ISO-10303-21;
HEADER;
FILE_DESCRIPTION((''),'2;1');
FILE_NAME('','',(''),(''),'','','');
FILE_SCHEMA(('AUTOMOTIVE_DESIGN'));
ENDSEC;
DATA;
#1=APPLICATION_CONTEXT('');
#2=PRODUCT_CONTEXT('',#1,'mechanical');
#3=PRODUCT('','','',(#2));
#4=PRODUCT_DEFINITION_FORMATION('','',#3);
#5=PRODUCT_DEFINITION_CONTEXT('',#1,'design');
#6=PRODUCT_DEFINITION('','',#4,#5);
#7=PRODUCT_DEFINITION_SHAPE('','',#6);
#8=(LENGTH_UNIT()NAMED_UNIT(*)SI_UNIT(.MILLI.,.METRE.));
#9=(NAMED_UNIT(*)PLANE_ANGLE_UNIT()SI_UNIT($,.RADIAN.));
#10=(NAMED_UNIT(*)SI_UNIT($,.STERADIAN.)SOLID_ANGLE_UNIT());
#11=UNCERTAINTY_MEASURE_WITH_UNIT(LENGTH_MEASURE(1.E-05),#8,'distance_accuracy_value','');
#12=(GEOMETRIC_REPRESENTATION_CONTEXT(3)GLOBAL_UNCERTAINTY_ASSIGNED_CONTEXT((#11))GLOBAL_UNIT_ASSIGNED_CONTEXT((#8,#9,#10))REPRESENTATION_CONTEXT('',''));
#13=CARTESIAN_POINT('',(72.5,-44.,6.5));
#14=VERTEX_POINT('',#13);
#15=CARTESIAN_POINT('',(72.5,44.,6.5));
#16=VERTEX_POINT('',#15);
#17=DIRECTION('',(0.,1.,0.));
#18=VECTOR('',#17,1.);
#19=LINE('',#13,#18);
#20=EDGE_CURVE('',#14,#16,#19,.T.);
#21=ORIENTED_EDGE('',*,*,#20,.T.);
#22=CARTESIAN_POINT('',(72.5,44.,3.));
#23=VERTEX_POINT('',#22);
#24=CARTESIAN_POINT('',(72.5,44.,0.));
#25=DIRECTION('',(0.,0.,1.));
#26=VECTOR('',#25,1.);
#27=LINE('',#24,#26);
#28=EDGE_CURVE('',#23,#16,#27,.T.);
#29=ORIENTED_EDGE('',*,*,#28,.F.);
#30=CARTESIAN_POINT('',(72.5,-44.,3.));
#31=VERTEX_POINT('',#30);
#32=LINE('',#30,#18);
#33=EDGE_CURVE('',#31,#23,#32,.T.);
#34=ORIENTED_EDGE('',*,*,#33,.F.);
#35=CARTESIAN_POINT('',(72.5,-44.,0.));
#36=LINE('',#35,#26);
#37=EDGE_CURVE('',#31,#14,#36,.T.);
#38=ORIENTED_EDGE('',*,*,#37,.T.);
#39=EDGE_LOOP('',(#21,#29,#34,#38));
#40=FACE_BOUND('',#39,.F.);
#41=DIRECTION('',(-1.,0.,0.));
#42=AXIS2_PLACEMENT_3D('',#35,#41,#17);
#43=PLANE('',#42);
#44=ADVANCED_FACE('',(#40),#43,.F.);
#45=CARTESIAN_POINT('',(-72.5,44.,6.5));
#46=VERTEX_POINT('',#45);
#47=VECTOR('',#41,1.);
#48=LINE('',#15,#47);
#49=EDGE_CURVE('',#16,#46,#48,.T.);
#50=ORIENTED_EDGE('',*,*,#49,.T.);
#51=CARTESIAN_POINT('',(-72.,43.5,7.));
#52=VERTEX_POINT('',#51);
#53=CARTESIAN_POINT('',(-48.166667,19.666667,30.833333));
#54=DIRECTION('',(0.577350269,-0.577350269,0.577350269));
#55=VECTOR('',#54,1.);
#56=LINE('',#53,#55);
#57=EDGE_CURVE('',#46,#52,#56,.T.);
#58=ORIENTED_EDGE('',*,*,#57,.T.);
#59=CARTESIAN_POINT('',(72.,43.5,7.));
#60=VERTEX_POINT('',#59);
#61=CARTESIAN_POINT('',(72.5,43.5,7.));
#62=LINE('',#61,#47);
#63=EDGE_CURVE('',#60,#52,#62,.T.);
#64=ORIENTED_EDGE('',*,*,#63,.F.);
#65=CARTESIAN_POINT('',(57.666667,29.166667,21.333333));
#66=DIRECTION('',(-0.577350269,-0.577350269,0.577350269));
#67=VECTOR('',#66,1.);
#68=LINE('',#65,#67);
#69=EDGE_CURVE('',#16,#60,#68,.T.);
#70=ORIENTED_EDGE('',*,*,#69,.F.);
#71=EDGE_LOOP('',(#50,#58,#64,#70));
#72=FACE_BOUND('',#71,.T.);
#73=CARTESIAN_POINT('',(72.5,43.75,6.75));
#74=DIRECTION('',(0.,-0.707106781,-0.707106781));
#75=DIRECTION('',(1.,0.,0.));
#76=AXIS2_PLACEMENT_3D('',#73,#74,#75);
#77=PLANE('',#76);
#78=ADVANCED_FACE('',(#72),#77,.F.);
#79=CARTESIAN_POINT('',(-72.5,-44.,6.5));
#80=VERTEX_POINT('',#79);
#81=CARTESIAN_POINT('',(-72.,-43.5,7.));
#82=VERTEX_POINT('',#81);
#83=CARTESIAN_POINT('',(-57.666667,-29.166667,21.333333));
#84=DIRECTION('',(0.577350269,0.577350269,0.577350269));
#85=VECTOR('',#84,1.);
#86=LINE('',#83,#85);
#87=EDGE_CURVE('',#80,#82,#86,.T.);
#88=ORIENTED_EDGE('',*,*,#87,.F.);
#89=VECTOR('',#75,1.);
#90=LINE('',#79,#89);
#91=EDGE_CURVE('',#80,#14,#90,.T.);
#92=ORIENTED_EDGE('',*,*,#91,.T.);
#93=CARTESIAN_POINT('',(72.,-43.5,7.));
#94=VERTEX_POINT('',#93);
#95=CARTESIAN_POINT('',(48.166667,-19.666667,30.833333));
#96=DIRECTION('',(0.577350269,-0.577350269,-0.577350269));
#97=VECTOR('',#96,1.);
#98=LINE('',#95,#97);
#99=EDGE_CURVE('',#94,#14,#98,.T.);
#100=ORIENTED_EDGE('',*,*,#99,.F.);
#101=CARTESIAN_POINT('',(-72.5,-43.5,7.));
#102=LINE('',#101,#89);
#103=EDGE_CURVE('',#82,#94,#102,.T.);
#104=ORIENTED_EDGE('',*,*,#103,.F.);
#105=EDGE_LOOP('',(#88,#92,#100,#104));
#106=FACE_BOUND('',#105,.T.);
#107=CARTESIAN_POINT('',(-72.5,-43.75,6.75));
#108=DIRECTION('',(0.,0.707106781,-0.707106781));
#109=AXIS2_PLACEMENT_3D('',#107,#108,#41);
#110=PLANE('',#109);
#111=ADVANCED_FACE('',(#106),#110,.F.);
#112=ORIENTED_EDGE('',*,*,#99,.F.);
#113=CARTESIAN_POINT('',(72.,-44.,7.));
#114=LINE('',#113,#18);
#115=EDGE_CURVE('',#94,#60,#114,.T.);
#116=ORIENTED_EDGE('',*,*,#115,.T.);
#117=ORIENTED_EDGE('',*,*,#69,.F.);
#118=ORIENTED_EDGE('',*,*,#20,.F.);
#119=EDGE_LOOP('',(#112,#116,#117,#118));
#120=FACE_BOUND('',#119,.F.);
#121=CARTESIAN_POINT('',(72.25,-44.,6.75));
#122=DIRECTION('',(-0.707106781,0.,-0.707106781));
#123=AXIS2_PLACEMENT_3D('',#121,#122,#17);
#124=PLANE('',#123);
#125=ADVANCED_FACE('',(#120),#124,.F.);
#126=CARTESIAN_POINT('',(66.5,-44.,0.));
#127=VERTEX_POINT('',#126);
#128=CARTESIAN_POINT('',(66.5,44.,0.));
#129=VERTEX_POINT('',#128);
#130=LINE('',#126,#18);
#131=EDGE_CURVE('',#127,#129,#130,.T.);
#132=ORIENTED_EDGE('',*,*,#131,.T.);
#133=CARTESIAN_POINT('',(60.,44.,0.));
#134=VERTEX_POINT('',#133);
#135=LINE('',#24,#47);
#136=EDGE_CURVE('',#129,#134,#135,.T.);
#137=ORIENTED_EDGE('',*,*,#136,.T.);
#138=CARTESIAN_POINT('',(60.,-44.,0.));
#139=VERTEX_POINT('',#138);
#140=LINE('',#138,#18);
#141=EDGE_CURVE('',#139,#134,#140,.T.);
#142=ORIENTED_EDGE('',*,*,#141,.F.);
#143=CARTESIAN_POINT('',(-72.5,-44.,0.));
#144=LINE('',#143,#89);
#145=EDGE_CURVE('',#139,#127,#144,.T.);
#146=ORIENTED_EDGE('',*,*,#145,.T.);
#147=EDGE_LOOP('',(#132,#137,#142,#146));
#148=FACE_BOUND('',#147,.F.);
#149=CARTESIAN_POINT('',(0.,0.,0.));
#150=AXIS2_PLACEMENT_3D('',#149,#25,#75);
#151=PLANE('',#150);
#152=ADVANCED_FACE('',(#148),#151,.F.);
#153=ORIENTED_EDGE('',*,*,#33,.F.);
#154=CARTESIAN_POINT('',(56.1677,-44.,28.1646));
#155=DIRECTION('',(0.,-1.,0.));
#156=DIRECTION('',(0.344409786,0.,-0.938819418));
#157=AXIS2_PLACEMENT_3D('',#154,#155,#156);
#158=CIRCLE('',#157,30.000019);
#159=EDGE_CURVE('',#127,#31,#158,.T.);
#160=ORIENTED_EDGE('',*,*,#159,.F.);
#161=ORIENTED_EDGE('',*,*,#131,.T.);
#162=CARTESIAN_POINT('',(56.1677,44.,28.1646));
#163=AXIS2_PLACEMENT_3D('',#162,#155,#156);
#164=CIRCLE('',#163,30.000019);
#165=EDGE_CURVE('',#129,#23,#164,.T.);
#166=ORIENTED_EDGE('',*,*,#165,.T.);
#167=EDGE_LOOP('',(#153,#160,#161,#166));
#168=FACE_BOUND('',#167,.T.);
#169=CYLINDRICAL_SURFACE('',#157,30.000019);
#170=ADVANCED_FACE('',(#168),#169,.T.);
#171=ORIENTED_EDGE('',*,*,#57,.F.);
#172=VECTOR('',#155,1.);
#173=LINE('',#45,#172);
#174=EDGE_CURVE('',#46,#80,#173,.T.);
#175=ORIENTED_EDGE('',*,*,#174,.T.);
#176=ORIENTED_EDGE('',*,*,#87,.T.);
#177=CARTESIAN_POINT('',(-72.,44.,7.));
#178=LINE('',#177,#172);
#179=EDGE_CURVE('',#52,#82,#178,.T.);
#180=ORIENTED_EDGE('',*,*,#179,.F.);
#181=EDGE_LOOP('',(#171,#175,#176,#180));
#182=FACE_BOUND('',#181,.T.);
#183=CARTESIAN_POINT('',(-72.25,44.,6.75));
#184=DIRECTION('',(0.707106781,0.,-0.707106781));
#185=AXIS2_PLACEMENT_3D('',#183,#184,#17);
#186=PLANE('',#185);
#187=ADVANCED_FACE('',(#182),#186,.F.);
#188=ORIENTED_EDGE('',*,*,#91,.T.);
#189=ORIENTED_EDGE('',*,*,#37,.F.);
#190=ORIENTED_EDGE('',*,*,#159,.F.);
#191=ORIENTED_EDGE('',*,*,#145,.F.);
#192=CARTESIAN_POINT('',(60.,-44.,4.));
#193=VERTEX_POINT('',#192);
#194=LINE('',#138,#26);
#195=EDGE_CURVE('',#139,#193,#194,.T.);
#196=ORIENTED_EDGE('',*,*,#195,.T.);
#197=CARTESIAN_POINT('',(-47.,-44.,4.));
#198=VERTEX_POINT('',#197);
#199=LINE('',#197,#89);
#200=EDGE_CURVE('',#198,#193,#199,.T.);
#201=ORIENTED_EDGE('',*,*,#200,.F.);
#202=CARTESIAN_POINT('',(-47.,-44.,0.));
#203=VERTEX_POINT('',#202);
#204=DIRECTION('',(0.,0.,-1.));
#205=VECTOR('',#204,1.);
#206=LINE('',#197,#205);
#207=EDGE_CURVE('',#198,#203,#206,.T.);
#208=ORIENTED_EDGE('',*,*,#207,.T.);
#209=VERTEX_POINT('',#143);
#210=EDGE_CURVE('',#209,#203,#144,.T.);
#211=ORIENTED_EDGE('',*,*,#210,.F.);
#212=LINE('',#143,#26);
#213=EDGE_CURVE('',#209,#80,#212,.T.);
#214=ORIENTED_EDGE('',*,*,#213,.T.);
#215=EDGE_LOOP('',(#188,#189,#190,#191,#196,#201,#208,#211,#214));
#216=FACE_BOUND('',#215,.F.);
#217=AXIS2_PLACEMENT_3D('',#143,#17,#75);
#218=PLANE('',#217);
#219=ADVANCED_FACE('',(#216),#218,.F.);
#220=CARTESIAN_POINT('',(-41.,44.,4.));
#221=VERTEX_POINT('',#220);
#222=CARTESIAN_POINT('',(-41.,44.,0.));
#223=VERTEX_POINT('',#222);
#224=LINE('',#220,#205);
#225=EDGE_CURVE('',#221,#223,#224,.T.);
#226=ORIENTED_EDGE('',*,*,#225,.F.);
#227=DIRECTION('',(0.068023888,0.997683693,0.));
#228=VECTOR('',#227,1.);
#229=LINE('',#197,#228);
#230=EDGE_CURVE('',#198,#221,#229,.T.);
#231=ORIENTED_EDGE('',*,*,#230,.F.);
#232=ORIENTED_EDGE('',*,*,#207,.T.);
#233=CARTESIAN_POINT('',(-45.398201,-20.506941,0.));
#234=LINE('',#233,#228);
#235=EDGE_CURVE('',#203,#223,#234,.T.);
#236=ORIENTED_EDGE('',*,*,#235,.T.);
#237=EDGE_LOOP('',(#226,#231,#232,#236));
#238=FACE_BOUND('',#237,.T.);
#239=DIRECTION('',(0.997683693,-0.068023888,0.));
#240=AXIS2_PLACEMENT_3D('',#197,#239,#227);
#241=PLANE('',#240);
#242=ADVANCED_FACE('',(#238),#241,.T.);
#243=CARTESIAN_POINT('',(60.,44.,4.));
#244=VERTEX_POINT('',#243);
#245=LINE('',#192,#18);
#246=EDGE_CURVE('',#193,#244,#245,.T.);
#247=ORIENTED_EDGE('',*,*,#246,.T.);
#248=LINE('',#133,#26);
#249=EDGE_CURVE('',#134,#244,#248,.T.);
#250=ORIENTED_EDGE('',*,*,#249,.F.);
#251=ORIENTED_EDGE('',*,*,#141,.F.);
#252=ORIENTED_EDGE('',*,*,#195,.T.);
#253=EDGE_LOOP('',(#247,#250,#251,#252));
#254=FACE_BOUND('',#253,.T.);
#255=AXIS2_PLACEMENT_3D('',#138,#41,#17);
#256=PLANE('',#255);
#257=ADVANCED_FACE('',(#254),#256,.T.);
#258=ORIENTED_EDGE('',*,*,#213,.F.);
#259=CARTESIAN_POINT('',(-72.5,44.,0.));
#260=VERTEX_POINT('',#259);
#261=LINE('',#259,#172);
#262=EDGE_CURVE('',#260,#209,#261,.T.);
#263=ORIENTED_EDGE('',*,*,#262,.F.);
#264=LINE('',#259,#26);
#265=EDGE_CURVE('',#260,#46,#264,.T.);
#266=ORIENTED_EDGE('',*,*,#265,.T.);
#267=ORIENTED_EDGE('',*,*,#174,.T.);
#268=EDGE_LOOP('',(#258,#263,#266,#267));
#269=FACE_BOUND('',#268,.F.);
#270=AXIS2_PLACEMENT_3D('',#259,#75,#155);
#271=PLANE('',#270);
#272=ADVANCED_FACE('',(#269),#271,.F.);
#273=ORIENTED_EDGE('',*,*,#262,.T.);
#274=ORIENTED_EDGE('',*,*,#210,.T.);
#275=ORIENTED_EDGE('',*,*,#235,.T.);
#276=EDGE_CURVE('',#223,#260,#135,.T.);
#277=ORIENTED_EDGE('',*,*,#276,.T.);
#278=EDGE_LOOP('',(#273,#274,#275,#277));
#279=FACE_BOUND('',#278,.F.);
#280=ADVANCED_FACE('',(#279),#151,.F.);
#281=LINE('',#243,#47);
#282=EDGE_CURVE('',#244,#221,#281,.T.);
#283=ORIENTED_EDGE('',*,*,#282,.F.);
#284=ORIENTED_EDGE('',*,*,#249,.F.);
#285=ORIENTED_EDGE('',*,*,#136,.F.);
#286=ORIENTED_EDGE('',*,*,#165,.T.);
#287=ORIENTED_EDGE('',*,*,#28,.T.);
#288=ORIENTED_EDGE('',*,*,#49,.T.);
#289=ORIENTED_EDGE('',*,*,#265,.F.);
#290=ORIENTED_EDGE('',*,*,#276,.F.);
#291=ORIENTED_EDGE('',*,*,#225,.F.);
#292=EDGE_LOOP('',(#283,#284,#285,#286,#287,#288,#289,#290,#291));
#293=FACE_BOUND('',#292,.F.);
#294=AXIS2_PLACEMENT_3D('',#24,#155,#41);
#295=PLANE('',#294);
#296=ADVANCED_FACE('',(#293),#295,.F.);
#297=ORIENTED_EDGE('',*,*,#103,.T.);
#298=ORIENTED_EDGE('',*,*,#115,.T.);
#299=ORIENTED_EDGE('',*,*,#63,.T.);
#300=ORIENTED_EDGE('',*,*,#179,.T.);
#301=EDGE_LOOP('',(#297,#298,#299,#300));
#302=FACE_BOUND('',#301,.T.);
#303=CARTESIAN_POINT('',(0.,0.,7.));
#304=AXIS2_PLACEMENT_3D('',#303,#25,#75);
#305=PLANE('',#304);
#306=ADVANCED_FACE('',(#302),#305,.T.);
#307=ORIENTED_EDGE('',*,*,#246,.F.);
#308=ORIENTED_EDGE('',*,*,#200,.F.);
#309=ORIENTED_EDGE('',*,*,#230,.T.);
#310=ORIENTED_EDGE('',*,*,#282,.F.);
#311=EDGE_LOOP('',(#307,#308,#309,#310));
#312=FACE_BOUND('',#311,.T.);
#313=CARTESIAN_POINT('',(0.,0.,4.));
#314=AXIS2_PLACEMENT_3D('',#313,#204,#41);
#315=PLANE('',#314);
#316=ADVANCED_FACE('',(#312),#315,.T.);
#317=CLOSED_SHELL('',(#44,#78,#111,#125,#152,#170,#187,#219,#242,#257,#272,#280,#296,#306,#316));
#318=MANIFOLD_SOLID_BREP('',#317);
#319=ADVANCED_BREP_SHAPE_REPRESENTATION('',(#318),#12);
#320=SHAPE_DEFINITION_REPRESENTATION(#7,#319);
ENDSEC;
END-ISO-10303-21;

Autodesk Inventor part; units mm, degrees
ref_plane "YZ Plane" through (0, 0, 0) normal (1, 0, 0) x (0, 1, 0)
ref_plane "XZ Plane" through (0, 0, 0) normal (0, 1, 0) x (-1, 0, 0)
ref_plane "XY Plane" through (0, 0, 0) normal (0, 0, 1) x (1, 0, 0)
sketch "Sketch1" plane through (0, 0, 0) normal (0, 0, 1) x (1, 0, 0)
  line L0 (-72.5, -44) -> (72.5, -44)
  line L1 (72.5, -44) -> (72.5, 44)
  line L2 (72.5, 44) -> (-72.5, 44)
  line L3 (-72.5, 44) -> (-72.5, -44)
  line L4 (-72.5, -44) -> (72.5, 44) construction
  line L5 (72.5, -44) -> (-72.5, 44) construction
  point P0 (0, 0)
  dimension "d0" = 145
  dimension "d1" = 88
extrude "Extrusion1" add sketch "Sketch1" along normal blind 7
sketch "Sketch2" plane through (0, 0, 7) normal (0, 0, 1) x (1, 0, 0)
  line L0 (-24.5465, 44) -> (-40.0633, -44) construction
  line L1 (18.9535, 44) -> (3.4367, -44) construction
  line L2 (72.5, 44) -> (-72.5, 44) projected
  line L3 (-72.5, -44) -> (72.5, -44) projected
  circle A0 centre (6.3902, -27.25) radius 1.75
  circle A1 centre (-27.5, 27.25) radius 1.75
  line L4 (-72.5, 44) -> (-72.5, -44) projected
  point P0 (0, 0)
  dimension "d4" = 80
  dimension "d5" = 43.5
  dimension "d6" = 3.5
  dimension "d7" = 3.5
  dimension "d8" = 54.5
  dimension "d9" = 16.75
  dimension "d10" = 88
  dimension "d11" = 45
sketch "Sketch3" plane through (0, 0, 0) normal (0, 0, -1) x (-1, 0, 0)
  line L0 (72.5, -44) -> (-72.5, -44) projected
  line L1 (-72.5, 44) -> (72.5, 44) projected
  line L2 (40, -44) -> (-60, -44)
  line L3 (-60, -44) -> (-60, 44)
  line L4 (-60, 44) -> (40, 44)
  line L5 (40, 44) -> (40, -44)
  line L6 (-72.5, -44) -> (-72.5, 44) projected
  line L7 (72.5, 44) -> (72.5, -44) projected
  point P0 (0, 0)
  point P1 (40, 44)
  point P2 (-60, -44)
  dimension "d14" = 100
  dimension "d15" = 145
  dimension "d16" = 32.5
extrude "Extrusion3" cut sketch "Sketch3" against normal blind 4 contours L0 L3 L1 L5
sketch "Sketch5" plane through (-72.5, -44, 7) normal (0, -1, 0) x (1, 0, 0)
  line L0 (145, -7) -> (132.5, -7) projected
  arc A0 (139, -7) -> (145, -4) centre (128.6677, 21.1646) ccw
  line L1 (145, -7) -> (145, 0) projected
  line L2 (132.5, -7) -> (145, -7) projected
  line L3 (132.5, -3) -> (132.5, -7) projected
  point P0 (72.5, -7)
  point P1 (132.5, -4)
  point P2 (139, -7)
  dimension "d25" = 4
  dimension "d26" = 6.5
  dimension "d27" = 30
extrude "Extrusion5" cut sketch "Sketch5" against normal through all
chamfer "Chamfer1" distance 0.5 angle 45 4 edges at (-72.5, 0, 7) (0, 44, 7) (72.5, 0, 7) (0, -44, 7)
sketch "Sketch7" plane through (0, 0, 4) normal (0, 0, -1) x (-1, 0, 0)
  line L0 (72.5, -44) -> (40, -44) projected
  line L1 (40, 44) -> (72.5, 44) projected
  line L2 (40, -44) -> (-60, -44) projected
  line L3 (40, -44) -> (40, 44)
  line L4 (40, -44) -> (47, -44)
  line L5 (47, -44) -> (41, 44)
  line L6 (41, 44) -> (40, 44)
  point P0 (0, 0)
  dimension "d34" = 7
  dimension "d35" = 1
extrude "Extrusion6" cut sketch "Sketch7" along normal through all
sketch "Sketch8" plane through (60, -44, 0) normal (0, -1, 0) x (1, 0, 0)
  point P0 (-60, 0)
ref_plane "Work Plane1" through (-47, -44, 2) normal (0.068, 0.9977, 0) x (0, 0, 1)
sketch "Sketch9" plane through (-47, -44, 2) normal (0.068, 0.9977, 0) x (0, 0, 1)
  line L0 (2, 0) -> (2, 106.7522) projected
  line L1 (2, 0) -> (-1, 20) construction
  line L2 (-1, 20) -> (-1, 54) construction
  line L3 (2, 106.7522) -> (2, 100.7661) projected
  line L4 (-1, 54) -> (2, 106.7522) construction
  spline S0 degree 3 poles (2, 0) (-1, 20) (-1, 54) (2, 106.7522) knots 1 1 1 1 2 2 2 2
  point P0 (-2, 43.8981)
equation "\"d9\" = -0.5 * d8 + 0.5 * d10"
properties part number "_3DPrint"
